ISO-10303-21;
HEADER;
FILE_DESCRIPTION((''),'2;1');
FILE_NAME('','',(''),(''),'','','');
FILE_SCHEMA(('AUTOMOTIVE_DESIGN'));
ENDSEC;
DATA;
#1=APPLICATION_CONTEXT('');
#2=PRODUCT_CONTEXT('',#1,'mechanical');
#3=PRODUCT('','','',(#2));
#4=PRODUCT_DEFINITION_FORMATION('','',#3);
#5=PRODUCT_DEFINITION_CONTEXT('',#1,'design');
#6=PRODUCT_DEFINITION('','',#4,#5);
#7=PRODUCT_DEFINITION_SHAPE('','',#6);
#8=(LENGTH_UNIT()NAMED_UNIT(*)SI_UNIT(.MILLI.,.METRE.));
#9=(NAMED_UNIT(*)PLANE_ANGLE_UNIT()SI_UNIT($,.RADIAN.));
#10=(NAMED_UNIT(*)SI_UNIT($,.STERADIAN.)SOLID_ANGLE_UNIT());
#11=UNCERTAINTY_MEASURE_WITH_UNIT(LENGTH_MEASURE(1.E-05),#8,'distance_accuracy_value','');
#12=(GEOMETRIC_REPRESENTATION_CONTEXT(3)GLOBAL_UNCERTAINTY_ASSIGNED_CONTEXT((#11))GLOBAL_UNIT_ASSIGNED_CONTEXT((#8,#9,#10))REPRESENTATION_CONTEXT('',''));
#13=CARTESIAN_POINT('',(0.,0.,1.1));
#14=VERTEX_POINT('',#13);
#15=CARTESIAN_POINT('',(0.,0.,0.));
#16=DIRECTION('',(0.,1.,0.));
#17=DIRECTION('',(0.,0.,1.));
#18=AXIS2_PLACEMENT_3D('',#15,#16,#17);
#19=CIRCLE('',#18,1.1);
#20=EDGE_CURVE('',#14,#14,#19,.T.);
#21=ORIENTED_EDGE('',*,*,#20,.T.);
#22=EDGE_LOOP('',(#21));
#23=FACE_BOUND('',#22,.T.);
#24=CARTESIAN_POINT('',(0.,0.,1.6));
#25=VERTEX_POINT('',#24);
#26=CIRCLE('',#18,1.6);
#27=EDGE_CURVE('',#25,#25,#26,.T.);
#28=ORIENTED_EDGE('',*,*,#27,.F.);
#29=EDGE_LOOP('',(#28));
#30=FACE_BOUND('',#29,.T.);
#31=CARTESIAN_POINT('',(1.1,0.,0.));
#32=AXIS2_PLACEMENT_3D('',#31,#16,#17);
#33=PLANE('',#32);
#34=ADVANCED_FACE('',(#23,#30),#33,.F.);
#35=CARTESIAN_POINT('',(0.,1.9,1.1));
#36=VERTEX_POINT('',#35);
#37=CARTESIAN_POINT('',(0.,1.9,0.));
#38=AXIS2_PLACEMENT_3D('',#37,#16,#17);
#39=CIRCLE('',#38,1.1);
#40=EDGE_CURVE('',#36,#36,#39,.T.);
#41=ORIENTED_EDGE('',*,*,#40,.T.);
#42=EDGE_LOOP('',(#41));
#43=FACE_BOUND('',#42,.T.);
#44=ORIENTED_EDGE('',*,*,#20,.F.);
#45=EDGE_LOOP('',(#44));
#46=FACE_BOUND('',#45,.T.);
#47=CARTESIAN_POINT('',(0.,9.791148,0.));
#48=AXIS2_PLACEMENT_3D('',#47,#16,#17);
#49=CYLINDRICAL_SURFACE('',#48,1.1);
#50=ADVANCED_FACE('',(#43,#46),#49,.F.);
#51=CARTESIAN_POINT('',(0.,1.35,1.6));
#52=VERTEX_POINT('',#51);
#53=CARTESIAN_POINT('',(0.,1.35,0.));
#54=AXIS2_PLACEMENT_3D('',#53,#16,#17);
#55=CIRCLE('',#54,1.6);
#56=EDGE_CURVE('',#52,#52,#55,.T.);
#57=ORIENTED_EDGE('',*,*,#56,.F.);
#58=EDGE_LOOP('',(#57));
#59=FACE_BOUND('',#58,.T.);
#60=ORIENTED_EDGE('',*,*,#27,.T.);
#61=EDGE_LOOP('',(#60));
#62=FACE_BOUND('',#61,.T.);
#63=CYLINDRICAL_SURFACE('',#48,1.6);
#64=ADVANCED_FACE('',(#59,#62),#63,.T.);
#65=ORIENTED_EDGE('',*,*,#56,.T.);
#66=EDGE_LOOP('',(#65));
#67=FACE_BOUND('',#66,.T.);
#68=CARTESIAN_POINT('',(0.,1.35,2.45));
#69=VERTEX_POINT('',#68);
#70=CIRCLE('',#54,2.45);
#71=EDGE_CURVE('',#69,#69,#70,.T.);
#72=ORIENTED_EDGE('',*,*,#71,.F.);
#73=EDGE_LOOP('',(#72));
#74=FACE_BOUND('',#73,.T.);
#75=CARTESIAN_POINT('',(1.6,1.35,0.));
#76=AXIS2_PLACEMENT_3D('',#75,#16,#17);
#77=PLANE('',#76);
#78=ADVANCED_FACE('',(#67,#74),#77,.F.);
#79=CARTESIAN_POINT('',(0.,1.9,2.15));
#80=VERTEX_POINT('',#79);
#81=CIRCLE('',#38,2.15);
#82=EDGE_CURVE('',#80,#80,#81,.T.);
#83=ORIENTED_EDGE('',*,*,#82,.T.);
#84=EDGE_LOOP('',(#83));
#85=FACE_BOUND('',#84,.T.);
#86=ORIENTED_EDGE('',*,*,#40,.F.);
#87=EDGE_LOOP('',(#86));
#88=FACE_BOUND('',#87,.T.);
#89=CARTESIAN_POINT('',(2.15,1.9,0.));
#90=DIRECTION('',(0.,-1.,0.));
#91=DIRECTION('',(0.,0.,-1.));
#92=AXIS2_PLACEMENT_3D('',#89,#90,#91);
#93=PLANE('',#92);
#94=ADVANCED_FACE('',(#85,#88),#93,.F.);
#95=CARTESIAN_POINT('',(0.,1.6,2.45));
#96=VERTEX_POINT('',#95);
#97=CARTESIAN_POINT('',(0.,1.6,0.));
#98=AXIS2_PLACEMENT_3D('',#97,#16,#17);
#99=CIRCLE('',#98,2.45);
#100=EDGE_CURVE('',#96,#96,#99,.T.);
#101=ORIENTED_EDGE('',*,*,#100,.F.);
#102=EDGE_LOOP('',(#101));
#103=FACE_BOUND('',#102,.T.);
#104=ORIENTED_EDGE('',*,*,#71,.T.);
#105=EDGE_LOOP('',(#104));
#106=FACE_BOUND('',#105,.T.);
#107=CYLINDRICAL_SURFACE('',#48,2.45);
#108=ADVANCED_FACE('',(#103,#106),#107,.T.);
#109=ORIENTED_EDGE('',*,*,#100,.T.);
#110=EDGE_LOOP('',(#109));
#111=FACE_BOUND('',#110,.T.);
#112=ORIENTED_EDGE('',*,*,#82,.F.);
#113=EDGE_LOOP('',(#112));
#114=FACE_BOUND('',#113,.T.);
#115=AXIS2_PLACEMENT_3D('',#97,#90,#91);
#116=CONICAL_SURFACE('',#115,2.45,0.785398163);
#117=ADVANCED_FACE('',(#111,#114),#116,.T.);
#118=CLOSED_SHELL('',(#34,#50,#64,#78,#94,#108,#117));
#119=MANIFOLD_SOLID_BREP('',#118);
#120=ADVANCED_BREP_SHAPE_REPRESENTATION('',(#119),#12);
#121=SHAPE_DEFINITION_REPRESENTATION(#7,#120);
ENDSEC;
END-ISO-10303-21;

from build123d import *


with BuildPart() as part:
    # Sketch1 → Revolve1 (revolve)
    with BuildSketch(Plane.XY):
        Polygon((1.1, 1.9), (1.1, 0), (1.6, 0), (1.6, 1.35), (2.45, 1.35), (2.45, 1.6), (2.15, 1.9), align=None)
    revolve(axis=Axis((0, 9.791147956, 0), (0, -1, 0)))


solid = part.part
